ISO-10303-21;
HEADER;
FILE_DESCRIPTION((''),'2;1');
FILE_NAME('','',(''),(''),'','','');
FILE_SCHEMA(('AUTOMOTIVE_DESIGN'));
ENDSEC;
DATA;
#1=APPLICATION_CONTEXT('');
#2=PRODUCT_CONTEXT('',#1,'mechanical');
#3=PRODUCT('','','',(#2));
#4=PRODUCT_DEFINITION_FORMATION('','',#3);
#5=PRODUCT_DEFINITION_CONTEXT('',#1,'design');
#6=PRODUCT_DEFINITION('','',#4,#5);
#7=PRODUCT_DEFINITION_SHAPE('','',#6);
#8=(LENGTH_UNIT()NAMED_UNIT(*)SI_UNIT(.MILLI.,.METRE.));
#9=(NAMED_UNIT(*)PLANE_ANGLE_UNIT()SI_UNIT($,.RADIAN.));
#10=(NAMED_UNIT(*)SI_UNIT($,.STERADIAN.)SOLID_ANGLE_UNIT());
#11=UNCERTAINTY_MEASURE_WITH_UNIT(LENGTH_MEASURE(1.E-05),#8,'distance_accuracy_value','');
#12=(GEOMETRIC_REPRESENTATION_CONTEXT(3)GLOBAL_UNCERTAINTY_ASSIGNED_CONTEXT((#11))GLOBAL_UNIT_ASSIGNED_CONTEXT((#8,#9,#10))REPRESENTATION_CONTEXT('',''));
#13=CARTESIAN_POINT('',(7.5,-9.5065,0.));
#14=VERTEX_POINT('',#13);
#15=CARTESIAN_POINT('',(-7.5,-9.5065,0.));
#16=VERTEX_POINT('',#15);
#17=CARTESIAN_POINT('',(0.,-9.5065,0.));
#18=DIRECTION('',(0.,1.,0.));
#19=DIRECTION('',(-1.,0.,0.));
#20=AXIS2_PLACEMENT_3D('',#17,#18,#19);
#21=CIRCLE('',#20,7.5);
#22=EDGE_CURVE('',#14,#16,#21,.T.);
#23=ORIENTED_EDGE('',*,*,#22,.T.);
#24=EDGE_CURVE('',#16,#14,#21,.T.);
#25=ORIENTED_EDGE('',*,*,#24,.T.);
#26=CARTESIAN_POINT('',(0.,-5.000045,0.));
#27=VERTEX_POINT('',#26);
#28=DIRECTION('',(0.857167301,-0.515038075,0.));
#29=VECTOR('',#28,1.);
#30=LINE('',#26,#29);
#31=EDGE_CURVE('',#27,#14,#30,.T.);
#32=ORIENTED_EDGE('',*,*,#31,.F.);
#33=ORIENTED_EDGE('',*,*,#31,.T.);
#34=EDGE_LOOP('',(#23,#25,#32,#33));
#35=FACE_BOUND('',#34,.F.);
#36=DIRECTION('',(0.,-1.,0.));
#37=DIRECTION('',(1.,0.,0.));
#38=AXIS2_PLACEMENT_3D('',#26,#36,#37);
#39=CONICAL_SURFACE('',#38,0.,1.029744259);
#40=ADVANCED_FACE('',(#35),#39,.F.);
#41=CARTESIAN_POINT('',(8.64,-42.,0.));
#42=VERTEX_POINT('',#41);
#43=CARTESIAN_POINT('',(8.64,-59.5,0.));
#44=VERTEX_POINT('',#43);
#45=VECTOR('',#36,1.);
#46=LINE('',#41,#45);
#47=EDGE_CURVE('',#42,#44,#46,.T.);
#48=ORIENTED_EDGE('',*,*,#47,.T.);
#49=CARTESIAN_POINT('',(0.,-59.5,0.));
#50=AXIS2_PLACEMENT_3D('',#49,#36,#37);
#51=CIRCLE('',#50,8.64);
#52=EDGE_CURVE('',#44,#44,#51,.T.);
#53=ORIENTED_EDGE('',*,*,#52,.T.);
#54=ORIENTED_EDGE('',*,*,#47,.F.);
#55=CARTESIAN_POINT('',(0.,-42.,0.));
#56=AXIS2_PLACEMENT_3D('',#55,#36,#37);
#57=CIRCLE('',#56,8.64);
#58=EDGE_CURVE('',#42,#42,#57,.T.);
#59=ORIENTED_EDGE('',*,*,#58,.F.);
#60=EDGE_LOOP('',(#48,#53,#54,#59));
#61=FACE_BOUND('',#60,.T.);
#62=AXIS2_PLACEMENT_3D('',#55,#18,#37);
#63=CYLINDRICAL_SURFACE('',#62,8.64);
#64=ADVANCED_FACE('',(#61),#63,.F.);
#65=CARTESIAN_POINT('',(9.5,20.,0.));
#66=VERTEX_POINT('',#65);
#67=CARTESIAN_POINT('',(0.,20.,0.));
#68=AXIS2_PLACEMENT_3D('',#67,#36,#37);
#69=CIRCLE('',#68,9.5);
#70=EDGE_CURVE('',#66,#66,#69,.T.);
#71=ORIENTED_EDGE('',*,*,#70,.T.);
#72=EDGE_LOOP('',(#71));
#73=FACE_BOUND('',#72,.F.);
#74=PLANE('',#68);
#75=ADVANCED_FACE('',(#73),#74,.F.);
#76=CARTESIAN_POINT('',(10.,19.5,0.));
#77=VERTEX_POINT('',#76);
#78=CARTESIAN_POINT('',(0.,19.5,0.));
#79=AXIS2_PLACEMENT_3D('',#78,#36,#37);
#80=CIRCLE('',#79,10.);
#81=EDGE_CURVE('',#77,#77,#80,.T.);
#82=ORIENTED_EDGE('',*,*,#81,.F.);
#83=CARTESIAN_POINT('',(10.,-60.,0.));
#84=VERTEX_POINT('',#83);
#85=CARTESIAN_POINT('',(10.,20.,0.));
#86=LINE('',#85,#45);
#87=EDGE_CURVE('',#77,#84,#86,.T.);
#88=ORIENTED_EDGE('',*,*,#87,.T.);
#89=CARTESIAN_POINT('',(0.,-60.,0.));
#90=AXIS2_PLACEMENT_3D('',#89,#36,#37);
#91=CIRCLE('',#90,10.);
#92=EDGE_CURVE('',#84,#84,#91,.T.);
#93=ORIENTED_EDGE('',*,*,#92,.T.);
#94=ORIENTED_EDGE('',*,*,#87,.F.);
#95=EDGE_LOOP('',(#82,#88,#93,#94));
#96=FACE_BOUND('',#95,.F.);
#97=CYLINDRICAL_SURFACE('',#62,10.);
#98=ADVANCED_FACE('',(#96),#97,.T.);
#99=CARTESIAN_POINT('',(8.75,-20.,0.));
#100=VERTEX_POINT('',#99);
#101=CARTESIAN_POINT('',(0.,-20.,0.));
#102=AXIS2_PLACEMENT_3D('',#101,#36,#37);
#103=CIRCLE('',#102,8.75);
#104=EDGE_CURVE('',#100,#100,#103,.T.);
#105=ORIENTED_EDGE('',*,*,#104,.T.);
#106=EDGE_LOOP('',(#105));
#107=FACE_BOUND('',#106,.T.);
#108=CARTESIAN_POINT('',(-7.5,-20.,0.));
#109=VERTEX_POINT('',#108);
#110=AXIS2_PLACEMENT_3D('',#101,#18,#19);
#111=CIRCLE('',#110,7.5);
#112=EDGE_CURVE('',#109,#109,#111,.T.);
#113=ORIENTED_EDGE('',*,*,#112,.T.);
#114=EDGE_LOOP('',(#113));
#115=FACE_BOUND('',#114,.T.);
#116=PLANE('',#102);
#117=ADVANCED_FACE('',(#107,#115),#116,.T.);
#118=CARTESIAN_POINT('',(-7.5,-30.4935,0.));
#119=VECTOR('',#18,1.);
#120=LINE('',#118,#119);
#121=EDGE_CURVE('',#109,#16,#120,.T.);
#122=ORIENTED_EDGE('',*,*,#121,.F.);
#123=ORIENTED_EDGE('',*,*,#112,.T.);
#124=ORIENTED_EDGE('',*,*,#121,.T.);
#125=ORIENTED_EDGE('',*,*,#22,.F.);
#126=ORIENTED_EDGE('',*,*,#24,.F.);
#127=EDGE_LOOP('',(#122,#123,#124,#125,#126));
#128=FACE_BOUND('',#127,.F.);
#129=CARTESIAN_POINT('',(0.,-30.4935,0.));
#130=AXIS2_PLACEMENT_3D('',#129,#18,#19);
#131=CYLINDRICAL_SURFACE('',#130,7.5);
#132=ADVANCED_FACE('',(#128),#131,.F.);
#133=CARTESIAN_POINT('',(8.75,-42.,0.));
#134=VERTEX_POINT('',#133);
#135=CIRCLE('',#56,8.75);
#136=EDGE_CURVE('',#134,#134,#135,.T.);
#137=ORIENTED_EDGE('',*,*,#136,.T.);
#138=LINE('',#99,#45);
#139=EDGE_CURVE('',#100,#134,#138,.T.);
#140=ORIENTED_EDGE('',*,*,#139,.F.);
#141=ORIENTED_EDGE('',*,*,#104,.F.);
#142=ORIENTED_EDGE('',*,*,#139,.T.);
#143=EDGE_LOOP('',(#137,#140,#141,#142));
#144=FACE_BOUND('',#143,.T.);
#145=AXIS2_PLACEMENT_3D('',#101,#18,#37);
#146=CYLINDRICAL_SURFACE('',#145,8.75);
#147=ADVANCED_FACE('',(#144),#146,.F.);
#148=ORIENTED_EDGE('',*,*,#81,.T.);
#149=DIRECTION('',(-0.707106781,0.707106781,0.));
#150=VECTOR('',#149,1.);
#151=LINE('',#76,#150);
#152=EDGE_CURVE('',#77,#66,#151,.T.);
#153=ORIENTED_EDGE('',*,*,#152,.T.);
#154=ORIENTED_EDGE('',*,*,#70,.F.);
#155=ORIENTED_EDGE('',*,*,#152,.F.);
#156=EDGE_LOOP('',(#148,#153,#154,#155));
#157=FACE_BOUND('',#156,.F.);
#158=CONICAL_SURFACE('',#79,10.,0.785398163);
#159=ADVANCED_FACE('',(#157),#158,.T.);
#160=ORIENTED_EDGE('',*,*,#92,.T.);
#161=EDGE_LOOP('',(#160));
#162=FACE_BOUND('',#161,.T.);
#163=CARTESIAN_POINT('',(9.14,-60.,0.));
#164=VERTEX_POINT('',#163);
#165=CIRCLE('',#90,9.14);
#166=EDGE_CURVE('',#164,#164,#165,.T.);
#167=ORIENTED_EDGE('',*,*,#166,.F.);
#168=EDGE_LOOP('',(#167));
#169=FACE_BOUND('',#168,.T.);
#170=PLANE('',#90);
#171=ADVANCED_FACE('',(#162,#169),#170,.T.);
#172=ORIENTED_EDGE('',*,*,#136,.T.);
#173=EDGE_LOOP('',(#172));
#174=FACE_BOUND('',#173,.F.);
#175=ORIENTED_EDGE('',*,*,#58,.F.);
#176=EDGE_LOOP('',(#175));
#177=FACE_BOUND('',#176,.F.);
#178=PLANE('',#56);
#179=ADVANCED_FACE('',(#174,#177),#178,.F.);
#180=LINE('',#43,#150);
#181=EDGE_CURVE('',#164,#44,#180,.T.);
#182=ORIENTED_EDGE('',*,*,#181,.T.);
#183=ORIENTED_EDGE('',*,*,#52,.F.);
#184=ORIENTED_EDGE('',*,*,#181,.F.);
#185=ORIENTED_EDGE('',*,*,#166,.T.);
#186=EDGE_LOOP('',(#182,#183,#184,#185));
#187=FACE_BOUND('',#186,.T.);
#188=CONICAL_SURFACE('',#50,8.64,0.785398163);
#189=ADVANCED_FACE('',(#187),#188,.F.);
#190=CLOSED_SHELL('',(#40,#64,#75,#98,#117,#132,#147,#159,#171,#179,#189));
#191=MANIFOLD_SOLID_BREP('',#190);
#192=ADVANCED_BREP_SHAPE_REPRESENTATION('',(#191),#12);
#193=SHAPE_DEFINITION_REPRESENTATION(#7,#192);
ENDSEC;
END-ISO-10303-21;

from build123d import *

# Parameters (mm, degrees)
F0_R     = 10
F1_DEPTH = 20
F3_D     = 15
F3_DEPTH = 10.4935
F3_TIP   = 4.5064546427
F4_R     = 10
F4_R_2   = 8.75
F5_DEPTH = 22
F6_R     = 10
F6_R_2   = 8.64
F7_DEPTH = 18
F8_SIZE  = 0.5


with BuildPart() as f1:
    # F0 (on Front) → F1 (new body, symmetric)
    with BuildSketch(Plane.XZ):
        Circle(F0_R)
    extrude(amount=F1_DEPTH, both=True)

    # F3
    with Locations(Plane.XZ.offset(20)):
        with Locations((0, 0)):
            Hole(F3_D / 2, depth=F3_DEPTH)
            with Locations((0, 0, -(F3_DEPTH + F3_TIP / 2))):  # 118° drill point
                Cone(0, F3_D / 2, F3_TIP, mode=Mode.SUBTRACT)

    # F4 (on face) → F5 (join)
    with BuildSketch(Plane.XZ.offset(20)):
        Circle(F4_R)
        Circle(F4_R_2, mode=Mode.SUBTRACT)
    extrude(amount=F5_DEPTH)

    # F6 (on face) → F7 (join)
    with BuildSketch(Plane.XZ.offset(42)):
        Circle(F6_R)
        Circle(F6_R_2, mode=Mode.SUBTRACT)
    extrude(amount=F7_DEPTH)

    # F8
    f8_edges = [f1.edges().sort_by_distance(p)[0] for p in [
        (-8.64, -60, 0),
        (-10, 20, 0),
    ]]
    chamfer(f8_edges, length=F8_SIZE)


solid = f1.part
